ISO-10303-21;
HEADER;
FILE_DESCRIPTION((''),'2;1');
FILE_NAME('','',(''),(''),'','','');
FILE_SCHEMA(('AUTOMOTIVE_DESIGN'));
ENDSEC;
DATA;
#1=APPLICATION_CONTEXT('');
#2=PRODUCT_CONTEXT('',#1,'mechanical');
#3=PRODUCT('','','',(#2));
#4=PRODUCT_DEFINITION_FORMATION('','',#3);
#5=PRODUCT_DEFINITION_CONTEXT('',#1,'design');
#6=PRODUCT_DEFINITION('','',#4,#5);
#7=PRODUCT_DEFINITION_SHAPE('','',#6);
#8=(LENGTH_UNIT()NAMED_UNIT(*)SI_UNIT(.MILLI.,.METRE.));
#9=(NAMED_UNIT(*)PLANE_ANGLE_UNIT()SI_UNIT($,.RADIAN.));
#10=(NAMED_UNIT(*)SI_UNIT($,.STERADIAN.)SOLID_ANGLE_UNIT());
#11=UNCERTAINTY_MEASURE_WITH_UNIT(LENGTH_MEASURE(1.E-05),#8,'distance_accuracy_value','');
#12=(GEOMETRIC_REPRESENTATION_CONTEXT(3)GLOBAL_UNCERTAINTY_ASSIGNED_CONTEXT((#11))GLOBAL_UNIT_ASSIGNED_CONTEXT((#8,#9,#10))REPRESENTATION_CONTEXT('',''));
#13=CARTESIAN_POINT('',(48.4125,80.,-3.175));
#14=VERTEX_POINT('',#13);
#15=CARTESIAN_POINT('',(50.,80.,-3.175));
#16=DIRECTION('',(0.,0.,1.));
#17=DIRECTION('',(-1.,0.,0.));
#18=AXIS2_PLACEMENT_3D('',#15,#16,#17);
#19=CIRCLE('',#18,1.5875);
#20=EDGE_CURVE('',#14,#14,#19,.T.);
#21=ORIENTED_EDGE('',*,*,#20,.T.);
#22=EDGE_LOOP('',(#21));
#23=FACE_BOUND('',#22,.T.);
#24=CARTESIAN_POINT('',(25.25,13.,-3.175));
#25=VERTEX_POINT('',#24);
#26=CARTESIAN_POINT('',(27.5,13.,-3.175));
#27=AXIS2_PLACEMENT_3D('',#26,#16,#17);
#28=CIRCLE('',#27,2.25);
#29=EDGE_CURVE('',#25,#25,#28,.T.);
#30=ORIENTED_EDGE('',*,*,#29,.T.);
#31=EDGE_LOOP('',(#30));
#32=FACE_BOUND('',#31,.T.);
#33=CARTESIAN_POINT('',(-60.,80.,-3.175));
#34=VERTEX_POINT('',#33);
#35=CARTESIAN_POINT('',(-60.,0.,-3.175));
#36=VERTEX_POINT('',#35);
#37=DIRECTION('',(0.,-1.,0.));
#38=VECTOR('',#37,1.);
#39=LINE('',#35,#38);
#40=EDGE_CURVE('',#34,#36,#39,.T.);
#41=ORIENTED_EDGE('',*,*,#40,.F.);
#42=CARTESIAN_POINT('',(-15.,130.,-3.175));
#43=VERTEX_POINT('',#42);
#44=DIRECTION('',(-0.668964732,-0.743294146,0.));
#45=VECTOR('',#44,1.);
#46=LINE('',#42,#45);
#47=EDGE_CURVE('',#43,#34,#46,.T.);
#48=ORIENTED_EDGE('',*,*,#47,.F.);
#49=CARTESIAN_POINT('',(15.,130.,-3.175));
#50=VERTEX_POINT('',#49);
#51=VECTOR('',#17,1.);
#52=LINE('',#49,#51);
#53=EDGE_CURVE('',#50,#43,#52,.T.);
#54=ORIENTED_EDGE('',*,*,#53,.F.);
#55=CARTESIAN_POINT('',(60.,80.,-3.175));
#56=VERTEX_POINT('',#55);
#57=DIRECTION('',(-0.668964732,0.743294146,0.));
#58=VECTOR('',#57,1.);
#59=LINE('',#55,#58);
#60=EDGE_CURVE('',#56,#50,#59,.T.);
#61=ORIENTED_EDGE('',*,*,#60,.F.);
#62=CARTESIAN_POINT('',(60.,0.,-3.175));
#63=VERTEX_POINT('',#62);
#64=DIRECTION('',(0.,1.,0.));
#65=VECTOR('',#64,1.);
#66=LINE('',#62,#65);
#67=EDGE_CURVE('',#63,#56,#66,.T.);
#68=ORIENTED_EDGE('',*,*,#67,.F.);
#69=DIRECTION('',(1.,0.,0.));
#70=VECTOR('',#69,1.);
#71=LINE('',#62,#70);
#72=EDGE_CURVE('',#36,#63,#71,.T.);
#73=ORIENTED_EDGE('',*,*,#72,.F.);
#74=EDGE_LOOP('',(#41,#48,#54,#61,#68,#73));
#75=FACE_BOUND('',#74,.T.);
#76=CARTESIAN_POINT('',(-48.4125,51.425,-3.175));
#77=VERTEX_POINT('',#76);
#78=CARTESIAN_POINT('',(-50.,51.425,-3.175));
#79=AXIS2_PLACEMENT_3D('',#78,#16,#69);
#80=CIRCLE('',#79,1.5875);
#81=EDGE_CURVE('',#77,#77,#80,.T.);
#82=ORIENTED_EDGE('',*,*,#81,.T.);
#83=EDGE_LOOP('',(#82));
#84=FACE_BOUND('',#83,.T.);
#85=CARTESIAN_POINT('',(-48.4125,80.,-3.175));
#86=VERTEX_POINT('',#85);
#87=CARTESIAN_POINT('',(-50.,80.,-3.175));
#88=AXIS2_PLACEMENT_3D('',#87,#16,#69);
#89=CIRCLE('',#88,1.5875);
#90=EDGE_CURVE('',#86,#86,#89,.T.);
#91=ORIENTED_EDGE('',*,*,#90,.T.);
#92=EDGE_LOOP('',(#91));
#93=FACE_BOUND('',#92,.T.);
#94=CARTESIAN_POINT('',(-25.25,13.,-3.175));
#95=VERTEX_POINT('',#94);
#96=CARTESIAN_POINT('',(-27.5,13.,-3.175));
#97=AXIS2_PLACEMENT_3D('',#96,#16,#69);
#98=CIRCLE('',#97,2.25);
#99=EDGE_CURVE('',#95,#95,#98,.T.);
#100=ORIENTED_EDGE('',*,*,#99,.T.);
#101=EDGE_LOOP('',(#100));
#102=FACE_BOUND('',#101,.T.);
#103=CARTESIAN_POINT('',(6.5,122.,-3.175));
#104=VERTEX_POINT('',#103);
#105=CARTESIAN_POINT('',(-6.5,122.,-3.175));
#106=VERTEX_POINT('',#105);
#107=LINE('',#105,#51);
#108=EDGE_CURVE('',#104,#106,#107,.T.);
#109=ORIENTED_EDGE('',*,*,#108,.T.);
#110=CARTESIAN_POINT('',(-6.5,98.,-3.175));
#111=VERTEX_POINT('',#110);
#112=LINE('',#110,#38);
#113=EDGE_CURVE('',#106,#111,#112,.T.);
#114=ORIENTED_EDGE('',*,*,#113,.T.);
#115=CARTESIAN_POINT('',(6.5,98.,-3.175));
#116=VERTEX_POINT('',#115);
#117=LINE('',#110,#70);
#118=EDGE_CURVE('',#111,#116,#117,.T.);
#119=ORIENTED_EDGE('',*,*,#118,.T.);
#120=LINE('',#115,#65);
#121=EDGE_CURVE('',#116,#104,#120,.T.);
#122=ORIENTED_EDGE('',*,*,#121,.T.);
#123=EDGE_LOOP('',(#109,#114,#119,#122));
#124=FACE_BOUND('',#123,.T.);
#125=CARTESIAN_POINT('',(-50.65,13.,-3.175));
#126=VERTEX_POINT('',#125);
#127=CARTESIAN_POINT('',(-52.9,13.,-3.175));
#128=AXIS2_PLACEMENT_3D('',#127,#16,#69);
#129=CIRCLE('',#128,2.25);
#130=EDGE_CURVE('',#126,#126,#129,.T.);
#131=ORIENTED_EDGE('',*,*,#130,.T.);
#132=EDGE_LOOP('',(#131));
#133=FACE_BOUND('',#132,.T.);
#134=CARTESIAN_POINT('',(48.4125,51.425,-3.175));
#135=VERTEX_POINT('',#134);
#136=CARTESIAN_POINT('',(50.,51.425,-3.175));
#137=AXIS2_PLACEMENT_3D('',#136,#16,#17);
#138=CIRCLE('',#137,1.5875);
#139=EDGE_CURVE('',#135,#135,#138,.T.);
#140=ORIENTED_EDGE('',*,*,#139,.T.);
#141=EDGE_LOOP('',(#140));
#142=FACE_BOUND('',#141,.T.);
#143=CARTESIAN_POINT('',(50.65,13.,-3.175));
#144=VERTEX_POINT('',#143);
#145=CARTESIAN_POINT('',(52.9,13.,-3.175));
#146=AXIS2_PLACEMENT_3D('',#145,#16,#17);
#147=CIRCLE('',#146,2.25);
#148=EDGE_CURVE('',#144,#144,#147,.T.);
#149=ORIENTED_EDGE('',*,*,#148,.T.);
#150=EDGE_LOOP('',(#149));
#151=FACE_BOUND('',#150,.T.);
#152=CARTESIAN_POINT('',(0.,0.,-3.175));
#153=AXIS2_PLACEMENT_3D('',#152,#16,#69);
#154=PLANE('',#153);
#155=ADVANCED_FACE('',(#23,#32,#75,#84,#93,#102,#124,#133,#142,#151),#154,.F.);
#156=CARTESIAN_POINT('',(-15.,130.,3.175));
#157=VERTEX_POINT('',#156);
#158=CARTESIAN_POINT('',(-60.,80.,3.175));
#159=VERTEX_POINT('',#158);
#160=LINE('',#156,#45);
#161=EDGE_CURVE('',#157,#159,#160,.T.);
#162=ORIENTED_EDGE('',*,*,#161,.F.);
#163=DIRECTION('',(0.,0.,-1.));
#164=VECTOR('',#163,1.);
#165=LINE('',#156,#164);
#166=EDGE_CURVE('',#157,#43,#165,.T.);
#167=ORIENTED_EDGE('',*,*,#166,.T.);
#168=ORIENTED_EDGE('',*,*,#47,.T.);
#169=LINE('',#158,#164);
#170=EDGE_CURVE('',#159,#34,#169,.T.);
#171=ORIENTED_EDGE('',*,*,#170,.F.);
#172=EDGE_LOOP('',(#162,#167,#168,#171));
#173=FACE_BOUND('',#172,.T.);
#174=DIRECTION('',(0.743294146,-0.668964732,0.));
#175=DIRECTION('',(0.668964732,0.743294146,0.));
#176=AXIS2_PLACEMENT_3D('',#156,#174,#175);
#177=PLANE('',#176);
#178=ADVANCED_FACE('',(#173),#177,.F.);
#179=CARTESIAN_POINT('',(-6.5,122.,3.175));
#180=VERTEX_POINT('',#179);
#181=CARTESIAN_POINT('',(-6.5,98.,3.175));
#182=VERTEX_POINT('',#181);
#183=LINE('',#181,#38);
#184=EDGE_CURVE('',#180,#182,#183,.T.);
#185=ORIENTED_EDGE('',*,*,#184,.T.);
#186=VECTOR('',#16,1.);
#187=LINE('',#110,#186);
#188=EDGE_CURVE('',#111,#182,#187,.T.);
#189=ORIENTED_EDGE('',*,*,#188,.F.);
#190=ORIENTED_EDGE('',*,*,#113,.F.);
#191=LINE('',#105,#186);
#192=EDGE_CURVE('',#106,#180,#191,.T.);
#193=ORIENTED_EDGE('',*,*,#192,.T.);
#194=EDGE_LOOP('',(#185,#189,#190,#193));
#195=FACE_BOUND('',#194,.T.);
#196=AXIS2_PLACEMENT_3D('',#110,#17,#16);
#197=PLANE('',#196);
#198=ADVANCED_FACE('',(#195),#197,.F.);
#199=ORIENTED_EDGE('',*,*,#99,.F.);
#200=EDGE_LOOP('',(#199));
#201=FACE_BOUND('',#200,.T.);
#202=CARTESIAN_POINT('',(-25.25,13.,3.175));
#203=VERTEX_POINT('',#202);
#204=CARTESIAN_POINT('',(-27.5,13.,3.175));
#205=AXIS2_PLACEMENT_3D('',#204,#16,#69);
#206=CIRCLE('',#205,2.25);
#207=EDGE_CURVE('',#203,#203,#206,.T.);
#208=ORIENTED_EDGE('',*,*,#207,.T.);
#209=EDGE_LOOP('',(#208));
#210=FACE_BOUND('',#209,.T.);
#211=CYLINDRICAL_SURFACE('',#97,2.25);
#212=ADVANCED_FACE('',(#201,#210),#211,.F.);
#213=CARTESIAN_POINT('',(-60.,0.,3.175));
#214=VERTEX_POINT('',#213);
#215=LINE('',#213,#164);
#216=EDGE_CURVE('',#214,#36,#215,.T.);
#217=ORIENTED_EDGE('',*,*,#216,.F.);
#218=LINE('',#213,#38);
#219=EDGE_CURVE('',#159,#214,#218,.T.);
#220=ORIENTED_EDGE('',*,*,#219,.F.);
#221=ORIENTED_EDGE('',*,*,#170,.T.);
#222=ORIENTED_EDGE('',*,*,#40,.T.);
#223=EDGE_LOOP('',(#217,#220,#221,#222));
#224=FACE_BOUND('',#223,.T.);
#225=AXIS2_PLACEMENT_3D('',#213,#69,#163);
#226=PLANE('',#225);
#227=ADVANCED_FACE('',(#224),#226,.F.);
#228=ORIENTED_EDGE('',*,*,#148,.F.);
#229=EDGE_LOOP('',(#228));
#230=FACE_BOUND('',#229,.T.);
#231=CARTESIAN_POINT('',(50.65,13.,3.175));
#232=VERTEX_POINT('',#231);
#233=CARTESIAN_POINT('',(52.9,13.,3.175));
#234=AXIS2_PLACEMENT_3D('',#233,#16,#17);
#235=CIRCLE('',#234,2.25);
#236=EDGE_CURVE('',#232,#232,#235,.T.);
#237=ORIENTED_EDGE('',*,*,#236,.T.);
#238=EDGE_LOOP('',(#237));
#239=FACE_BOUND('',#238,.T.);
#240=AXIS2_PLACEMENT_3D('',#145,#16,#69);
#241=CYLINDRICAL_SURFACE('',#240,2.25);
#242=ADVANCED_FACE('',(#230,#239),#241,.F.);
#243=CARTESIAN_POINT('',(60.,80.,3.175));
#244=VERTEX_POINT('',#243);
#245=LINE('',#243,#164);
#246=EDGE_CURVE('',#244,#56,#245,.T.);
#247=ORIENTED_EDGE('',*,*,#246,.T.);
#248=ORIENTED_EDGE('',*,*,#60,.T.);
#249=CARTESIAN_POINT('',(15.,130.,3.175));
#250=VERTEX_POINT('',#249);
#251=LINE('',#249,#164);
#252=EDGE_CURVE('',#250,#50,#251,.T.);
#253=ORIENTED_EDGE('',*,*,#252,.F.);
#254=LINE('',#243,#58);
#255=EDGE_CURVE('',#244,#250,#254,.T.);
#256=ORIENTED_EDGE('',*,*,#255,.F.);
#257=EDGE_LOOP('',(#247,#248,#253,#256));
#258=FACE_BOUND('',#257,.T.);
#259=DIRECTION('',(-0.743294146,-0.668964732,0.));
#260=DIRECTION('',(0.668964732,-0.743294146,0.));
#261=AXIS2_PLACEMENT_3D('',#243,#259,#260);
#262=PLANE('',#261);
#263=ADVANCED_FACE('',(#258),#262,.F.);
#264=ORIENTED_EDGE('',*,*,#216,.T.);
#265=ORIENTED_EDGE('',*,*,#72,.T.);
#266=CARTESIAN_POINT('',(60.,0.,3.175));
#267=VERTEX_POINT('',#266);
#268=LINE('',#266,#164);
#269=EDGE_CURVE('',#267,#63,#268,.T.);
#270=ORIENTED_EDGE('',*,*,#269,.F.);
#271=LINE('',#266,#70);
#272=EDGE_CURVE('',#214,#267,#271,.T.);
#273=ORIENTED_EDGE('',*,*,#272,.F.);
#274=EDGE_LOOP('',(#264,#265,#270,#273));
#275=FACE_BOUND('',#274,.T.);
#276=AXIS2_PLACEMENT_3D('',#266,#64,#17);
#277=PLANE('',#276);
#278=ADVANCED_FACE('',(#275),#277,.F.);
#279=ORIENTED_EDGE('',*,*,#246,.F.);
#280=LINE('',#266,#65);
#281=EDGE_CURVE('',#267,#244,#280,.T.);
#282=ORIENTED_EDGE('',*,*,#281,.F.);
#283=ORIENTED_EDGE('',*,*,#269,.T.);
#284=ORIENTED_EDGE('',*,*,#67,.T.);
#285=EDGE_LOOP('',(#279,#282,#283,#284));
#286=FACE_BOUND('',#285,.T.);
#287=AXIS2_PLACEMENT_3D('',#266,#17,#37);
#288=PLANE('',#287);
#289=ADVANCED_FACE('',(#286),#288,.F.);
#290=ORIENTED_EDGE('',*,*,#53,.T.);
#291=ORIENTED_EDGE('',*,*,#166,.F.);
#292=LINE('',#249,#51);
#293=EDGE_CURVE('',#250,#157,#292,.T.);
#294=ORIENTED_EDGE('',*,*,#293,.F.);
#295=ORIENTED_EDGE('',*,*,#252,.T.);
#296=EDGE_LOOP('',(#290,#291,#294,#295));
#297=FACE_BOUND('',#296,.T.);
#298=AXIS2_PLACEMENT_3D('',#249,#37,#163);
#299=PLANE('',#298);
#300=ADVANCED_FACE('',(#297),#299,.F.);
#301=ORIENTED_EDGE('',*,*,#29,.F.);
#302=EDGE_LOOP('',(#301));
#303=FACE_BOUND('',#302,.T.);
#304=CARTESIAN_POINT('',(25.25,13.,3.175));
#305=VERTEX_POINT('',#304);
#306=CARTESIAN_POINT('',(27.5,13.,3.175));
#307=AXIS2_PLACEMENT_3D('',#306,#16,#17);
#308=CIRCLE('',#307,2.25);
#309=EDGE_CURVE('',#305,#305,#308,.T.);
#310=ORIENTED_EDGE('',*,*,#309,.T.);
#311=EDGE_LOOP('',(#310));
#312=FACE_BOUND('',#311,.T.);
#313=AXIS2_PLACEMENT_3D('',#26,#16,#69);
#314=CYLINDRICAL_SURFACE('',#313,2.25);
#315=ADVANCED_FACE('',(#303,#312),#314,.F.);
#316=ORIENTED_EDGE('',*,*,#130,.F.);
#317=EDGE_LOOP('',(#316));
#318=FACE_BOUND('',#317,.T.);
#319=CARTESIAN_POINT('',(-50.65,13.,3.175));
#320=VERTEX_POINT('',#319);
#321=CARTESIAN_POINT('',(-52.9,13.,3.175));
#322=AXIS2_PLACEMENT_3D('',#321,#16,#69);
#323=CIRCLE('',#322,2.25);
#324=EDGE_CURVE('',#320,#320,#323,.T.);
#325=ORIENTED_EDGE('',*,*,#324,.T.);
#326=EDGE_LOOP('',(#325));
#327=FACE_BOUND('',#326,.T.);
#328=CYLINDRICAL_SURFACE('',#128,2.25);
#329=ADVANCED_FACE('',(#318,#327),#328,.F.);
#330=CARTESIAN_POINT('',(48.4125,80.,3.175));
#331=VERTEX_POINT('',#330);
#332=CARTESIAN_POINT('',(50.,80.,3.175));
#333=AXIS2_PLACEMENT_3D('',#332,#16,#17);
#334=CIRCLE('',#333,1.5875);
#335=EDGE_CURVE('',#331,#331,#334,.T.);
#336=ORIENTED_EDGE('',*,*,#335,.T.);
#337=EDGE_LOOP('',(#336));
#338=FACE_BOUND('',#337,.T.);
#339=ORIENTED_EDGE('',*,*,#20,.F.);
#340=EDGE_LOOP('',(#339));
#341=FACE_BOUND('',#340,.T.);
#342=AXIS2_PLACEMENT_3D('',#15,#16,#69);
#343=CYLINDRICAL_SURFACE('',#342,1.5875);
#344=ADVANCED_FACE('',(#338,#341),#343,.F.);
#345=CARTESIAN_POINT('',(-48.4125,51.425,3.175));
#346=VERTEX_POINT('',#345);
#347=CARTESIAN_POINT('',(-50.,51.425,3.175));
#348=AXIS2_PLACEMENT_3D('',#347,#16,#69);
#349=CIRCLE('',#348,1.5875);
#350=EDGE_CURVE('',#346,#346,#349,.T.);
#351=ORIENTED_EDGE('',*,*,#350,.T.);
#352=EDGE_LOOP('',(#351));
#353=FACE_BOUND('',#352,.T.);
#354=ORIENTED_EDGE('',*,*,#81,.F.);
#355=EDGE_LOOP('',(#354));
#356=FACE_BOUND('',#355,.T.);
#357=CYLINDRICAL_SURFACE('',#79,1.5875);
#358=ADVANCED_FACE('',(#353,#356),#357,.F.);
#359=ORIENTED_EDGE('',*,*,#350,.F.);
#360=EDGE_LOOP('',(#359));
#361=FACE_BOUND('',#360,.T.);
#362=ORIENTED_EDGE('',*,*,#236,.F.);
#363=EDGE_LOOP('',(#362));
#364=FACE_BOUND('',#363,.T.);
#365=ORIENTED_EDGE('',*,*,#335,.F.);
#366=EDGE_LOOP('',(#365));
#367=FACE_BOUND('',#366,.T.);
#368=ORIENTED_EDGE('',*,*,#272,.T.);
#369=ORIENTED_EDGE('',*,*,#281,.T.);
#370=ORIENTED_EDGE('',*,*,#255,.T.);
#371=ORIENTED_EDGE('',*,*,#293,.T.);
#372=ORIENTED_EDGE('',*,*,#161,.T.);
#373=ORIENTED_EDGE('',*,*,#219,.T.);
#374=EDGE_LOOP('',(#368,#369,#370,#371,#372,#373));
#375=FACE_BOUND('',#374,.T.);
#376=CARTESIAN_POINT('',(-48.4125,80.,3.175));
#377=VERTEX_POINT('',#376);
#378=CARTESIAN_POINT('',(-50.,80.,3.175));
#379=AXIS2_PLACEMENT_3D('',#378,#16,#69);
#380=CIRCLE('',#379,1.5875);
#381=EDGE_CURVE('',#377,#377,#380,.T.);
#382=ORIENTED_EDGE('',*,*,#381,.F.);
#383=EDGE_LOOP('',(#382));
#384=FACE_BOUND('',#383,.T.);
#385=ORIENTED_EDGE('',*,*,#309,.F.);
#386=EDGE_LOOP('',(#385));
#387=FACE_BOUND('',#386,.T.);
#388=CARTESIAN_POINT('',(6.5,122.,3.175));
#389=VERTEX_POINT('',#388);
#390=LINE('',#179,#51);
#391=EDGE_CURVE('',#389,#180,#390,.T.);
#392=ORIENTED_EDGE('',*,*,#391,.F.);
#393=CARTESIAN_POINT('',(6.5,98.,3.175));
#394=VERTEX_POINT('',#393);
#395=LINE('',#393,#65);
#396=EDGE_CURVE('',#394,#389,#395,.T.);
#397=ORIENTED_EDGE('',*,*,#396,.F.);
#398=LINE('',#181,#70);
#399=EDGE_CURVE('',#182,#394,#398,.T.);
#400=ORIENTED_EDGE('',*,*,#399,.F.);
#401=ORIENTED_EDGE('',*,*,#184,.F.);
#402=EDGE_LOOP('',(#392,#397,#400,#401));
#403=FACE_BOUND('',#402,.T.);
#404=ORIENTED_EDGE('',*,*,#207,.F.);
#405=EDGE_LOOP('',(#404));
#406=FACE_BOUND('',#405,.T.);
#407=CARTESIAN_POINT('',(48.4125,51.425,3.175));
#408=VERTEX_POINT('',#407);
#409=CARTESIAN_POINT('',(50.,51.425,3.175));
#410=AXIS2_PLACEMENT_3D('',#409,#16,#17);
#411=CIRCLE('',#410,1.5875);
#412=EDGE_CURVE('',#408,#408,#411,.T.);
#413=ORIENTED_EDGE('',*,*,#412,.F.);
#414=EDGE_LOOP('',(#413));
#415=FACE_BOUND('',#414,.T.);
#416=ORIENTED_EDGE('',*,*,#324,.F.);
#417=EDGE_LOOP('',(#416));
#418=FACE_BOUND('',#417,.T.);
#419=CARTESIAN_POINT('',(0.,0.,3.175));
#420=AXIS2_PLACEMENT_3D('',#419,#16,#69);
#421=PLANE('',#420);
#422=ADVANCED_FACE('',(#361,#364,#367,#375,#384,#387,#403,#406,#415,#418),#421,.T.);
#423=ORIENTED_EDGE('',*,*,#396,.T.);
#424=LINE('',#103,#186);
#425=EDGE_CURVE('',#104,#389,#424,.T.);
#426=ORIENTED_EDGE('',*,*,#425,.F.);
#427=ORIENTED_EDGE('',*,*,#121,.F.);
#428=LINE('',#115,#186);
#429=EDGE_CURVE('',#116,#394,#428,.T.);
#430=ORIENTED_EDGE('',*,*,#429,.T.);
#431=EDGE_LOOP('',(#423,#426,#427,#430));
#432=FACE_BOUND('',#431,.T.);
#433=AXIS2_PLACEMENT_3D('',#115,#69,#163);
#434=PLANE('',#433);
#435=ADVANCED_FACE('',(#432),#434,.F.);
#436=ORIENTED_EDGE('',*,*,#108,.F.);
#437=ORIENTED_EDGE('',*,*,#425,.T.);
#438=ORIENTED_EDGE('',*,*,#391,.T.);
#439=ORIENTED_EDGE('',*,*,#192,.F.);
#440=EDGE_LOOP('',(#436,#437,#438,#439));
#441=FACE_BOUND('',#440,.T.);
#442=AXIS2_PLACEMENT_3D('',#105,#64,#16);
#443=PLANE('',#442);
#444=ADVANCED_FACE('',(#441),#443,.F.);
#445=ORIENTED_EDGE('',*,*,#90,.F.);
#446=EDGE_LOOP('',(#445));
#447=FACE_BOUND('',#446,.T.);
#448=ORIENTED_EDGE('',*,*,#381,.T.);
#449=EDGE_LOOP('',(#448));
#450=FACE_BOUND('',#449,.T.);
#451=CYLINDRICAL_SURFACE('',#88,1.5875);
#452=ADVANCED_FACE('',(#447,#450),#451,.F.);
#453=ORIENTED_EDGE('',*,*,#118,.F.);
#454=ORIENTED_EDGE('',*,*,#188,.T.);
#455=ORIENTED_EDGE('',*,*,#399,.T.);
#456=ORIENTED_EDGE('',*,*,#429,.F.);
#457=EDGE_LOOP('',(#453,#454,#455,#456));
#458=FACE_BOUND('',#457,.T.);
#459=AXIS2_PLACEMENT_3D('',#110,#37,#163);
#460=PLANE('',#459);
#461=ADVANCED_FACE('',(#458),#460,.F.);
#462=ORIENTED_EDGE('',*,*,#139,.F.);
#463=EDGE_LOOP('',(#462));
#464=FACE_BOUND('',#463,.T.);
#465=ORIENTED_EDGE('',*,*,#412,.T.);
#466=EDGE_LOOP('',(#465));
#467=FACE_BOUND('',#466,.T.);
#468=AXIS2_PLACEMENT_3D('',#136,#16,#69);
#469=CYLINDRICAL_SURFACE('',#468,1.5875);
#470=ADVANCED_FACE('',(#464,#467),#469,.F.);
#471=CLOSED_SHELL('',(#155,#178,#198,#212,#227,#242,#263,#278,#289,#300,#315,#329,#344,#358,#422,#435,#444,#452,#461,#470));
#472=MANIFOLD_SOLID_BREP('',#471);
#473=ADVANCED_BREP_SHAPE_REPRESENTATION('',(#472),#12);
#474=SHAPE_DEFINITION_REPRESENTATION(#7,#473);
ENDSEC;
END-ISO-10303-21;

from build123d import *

# Parameters (mm, degrees)
BOSS_EXTRUDE1_DEPTH = 3.175
SKETCH3_R           = 2.25
SKETCH3_R_2         = 1.5875
SKETCH3_W           = 13
SKETCH3_H           = 24
CUT_EXTRUDE1_DEPTH  = 7.35


with BuildPart() as part:
    # Sketch1 → Boss-Extrude1 (new body, symmetric)
    with BuildSketch(Plane.XY):
        Polygon((60, 0), (-60, 0), (-60, 80), (-15, 130), (15, 130), (60, 80), align=None)
    extrude(amount=BOSS_EXTRUDE1_DEPTH, both=True)

    # Sketch3 → Cut-Extrude1 (cut, through all)
    with BuildSketch(Plane.XY.offset(3.175)):
        with Locations((-52.9, 13)):
            Circle(SKETCH3_R)
        with Locations((-27.5, 13)):
            Circle(SKETCH3_R)
        with Locations((27.5, 13)):
            Circle(SKETCH3_R)
        with Locations((52.9, 13)):
            Circle(SKETCH3_R)
        with Locations((-50, 80)):
            Circle(SKETCH3_R_2)
        with Locations((-50, 51.425)):
            Circle(SKETCH3_R_2)
        with Locations((50, 51.425)):
            Circle(SKETCH3_R_2)
        with Locations((50, 80)):
            Circle(SKETCH3_R_2)
        with Locations((0, 110)):
            Rectangle(SKETCH3_W, SKETCH3_H)
    extrude(amount=-CUT_EXTRUDE1_DEPTH, mode=Mode.SUBTRACT)


solid = part.part
